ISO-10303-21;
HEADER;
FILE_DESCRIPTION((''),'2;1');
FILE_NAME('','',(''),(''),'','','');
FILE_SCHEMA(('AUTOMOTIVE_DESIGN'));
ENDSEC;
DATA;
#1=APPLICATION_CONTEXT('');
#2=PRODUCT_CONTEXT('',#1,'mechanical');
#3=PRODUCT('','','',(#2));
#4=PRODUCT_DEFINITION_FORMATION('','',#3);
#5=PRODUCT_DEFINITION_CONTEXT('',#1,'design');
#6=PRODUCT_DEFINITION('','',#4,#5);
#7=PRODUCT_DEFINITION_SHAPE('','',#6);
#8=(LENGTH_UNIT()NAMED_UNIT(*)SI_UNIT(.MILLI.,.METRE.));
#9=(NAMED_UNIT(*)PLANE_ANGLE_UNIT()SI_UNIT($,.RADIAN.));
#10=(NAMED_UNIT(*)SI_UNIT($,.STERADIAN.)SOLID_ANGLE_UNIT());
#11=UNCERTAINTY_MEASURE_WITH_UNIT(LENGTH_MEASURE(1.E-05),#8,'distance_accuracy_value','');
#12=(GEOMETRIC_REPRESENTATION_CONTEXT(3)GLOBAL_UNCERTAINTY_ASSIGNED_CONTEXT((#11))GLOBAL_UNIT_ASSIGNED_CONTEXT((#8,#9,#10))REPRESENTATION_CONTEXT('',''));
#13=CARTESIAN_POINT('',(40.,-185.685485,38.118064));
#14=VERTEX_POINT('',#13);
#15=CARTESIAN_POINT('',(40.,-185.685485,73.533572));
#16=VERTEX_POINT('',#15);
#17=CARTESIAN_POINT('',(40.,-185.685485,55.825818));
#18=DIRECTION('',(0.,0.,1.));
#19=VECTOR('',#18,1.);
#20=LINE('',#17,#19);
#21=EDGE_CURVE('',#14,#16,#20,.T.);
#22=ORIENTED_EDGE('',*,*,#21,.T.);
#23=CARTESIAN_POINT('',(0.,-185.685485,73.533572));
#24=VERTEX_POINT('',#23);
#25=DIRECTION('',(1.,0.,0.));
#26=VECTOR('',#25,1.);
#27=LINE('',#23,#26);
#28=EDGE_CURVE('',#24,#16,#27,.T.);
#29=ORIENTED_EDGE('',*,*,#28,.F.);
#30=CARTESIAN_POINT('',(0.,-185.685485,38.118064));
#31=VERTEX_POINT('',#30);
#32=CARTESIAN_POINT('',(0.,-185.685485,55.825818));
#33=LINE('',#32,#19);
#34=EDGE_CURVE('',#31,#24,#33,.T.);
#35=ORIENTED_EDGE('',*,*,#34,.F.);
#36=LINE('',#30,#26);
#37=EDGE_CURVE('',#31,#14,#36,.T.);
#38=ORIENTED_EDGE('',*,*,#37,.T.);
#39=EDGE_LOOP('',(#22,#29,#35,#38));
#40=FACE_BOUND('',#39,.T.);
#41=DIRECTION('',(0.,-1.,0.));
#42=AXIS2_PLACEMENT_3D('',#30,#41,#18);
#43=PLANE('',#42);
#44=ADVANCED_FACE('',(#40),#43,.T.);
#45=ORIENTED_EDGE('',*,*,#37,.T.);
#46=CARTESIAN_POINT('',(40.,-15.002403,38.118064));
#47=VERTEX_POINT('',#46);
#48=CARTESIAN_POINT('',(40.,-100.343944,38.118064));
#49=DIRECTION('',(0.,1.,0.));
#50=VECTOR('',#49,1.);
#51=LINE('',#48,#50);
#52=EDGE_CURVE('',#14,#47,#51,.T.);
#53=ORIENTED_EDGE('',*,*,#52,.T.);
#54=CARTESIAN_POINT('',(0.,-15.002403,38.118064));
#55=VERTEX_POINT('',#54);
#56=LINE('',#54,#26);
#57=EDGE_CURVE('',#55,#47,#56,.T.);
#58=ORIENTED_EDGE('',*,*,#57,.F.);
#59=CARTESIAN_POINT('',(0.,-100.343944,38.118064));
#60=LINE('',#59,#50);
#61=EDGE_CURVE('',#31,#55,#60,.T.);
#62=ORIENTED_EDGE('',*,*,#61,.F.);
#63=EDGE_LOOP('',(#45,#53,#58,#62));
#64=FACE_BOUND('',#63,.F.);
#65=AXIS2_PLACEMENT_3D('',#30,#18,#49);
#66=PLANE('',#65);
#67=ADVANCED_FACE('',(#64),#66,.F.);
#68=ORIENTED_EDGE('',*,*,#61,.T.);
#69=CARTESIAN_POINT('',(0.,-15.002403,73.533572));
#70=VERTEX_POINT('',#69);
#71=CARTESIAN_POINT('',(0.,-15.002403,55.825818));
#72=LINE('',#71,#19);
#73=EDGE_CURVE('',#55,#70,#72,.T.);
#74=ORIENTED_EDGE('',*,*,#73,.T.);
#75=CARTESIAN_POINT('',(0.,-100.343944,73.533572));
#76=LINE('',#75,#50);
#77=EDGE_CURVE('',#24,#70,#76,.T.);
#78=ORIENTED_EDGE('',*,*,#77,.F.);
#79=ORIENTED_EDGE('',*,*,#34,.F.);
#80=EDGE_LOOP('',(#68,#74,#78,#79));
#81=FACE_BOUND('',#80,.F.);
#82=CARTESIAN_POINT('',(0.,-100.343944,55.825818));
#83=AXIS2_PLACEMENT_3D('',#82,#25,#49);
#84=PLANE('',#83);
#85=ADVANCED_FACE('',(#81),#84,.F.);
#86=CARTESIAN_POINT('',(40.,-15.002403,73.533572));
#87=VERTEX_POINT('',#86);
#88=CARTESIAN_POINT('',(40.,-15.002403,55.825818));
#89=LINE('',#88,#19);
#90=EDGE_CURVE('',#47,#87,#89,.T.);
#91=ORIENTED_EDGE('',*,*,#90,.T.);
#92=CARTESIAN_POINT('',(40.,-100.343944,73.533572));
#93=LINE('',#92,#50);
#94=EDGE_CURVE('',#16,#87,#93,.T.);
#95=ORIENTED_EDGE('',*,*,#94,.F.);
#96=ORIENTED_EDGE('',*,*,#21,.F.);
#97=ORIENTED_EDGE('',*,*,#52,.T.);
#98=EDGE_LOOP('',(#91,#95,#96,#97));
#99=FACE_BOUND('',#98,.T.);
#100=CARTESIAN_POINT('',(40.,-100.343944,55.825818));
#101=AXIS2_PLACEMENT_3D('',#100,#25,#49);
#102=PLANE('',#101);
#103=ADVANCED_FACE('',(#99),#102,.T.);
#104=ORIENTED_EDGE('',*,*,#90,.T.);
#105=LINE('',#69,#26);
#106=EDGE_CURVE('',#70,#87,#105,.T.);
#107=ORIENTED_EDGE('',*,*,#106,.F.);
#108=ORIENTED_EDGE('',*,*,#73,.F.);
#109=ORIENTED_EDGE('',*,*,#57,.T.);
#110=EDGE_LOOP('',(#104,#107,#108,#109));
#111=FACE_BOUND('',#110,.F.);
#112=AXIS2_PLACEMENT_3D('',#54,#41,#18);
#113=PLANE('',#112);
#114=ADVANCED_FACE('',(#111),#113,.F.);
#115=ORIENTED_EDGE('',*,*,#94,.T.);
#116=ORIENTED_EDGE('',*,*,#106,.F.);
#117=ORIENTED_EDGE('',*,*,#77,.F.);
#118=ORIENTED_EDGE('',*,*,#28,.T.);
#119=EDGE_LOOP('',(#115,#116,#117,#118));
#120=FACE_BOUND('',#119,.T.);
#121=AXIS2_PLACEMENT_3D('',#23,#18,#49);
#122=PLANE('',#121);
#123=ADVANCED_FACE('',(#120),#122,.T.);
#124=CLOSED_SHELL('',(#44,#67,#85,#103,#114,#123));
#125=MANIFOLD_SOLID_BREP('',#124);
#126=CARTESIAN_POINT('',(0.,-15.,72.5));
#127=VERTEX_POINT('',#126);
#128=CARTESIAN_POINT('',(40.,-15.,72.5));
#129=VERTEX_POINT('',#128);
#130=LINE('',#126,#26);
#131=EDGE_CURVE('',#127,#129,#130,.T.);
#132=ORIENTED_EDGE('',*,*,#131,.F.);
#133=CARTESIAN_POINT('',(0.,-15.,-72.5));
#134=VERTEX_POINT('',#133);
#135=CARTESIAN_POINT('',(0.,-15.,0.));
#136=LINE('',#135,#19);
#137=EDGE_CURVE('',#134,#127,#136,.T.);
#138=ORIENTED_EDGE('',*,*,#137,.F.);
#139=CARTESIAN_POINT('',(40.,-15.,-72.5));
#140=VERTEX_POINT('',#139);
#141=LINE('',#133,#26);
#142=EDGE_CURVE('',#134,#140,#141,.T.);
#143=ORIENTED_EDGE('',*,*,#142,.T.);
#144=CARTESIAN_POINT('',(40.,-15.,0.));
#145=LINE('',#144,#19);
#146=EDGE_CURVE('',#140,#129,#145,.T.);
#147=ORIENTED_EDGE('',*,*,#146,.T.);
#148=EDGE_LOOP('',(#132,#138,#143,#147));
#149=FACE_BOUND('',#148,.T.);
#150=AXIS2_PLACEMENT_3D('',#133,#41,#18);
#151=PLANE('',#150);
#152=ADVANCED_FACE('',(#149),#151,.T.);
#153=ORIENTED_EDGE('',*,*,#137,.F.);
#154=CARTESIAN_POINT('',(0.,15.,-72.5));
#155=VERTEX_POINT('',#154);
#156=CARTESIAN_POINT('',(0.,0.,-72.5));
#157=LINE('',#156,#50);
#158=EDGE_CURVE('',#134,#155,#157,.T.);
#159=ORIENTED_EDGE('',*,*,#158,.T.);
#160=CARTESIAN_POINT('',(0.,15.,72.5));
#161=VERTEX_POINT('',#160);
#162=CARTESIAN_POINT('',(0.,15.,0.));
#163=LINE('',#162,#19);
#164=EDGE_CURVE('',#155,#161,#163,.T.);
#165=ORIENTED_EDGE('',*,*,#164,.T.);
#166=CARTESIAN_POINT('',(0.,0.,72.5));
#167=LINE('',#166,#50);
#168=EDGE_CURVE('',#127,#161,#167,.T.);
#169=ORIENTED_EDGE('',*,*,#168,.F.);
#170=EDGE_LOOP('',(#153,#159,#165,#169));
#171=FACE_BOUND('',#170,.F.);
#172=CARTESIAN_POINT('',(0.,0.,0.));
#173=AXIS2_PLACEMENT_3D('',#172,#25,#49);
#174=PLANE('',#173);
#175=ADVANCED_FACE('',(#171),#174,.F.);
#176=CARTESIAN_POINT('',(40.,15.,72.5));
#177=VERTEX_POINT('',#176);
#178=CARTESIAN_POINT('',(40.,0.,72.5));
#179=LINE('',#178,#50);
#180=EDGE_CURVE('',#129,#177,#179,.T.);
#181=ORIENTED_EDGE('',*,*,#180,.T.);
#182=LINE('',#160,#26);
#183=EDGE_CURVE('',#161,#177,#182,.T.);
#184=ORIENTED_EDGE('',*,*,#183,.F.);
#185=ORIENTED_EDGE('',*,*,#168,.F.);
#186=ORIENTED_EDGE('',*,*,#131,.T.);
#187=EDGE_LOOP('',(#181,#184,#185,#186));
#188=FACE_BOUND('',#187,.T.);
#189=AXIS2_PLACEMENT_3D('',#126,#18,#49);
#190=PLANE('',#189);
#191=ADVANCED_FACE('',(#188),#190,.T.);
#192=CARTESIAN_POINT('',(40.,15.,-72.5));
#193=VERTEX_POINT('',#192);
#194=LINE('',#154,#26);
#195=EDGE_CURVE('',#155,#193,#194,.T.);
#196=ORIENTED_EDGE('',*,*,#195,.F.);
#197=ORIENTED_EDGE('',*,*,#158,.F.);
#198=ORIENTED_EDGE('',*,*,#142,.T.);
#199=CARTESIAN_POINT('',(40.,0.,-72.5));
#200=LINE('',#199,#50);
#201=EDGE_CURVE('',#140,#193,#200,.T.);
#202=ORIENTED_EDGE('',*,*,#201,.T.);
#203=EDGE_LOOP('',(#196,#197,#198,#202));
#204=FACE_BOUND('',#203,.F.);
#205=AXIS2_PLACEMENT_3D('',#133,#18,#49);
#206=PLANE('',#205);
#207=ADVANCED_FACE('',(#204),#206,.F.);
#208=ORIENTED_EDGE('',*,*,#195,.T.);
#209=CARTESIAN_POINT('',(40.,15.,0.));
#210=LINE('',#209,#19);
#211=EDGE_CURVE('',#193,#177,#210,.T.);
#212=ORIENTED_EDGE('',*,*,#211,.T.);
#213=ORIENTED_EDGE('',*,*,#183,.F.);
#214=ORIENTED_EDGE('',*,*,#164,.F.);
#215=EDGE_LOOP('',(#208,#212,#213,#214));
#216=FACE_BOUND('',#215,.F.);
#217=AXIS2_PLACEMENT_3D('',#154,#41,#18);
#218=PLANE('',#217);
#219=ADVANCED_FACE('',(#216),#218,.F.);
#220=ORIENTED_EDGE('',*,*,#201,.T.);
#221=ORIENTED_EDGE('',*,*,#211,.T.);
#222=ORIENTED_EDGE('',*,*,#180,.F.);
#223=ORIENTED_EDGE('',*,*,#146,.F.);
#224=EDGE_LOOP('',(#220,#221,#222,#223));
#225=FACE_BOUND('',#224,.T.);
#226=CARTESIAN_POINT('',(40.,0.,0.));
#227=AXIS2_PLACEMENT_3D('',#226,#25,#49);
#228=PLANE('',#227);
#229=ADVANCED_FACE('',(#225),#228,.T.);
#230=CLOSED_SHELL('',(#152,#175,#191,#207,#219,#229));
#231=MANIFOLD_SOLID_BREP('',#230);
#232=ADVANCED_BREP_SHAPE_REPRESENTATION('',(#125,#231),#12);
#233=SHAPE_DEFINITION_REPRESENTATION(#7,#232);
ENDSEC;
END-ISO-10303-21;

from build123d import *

# Parameters (mm, degrees)
F0_W     = 30
F0_H     = 145
F1_DEPTH = 40
F2_W     = 170.683083
F2_H     = 35.415508
F3_DEPTH = 40


with BuildPart() as f1:
    # F0 (on Right) → F1 (new body)
    with BuildSketch(Plane.YZ):
        Rectangle(F0_W, F0_H)
    extrude(amount=F1_DEPTH)


with BuildPart() as f3:
    # F2 (on Right) → F3 (new body)
    with BuildSketch(Plane.YZ):
        with Locations((-100.343944, 55.825818)):
            Rectangle(F2_W, F2_H)
    extrude(amount=F3_DEPTH)


solid = Compound([f1.part, f3.part])
